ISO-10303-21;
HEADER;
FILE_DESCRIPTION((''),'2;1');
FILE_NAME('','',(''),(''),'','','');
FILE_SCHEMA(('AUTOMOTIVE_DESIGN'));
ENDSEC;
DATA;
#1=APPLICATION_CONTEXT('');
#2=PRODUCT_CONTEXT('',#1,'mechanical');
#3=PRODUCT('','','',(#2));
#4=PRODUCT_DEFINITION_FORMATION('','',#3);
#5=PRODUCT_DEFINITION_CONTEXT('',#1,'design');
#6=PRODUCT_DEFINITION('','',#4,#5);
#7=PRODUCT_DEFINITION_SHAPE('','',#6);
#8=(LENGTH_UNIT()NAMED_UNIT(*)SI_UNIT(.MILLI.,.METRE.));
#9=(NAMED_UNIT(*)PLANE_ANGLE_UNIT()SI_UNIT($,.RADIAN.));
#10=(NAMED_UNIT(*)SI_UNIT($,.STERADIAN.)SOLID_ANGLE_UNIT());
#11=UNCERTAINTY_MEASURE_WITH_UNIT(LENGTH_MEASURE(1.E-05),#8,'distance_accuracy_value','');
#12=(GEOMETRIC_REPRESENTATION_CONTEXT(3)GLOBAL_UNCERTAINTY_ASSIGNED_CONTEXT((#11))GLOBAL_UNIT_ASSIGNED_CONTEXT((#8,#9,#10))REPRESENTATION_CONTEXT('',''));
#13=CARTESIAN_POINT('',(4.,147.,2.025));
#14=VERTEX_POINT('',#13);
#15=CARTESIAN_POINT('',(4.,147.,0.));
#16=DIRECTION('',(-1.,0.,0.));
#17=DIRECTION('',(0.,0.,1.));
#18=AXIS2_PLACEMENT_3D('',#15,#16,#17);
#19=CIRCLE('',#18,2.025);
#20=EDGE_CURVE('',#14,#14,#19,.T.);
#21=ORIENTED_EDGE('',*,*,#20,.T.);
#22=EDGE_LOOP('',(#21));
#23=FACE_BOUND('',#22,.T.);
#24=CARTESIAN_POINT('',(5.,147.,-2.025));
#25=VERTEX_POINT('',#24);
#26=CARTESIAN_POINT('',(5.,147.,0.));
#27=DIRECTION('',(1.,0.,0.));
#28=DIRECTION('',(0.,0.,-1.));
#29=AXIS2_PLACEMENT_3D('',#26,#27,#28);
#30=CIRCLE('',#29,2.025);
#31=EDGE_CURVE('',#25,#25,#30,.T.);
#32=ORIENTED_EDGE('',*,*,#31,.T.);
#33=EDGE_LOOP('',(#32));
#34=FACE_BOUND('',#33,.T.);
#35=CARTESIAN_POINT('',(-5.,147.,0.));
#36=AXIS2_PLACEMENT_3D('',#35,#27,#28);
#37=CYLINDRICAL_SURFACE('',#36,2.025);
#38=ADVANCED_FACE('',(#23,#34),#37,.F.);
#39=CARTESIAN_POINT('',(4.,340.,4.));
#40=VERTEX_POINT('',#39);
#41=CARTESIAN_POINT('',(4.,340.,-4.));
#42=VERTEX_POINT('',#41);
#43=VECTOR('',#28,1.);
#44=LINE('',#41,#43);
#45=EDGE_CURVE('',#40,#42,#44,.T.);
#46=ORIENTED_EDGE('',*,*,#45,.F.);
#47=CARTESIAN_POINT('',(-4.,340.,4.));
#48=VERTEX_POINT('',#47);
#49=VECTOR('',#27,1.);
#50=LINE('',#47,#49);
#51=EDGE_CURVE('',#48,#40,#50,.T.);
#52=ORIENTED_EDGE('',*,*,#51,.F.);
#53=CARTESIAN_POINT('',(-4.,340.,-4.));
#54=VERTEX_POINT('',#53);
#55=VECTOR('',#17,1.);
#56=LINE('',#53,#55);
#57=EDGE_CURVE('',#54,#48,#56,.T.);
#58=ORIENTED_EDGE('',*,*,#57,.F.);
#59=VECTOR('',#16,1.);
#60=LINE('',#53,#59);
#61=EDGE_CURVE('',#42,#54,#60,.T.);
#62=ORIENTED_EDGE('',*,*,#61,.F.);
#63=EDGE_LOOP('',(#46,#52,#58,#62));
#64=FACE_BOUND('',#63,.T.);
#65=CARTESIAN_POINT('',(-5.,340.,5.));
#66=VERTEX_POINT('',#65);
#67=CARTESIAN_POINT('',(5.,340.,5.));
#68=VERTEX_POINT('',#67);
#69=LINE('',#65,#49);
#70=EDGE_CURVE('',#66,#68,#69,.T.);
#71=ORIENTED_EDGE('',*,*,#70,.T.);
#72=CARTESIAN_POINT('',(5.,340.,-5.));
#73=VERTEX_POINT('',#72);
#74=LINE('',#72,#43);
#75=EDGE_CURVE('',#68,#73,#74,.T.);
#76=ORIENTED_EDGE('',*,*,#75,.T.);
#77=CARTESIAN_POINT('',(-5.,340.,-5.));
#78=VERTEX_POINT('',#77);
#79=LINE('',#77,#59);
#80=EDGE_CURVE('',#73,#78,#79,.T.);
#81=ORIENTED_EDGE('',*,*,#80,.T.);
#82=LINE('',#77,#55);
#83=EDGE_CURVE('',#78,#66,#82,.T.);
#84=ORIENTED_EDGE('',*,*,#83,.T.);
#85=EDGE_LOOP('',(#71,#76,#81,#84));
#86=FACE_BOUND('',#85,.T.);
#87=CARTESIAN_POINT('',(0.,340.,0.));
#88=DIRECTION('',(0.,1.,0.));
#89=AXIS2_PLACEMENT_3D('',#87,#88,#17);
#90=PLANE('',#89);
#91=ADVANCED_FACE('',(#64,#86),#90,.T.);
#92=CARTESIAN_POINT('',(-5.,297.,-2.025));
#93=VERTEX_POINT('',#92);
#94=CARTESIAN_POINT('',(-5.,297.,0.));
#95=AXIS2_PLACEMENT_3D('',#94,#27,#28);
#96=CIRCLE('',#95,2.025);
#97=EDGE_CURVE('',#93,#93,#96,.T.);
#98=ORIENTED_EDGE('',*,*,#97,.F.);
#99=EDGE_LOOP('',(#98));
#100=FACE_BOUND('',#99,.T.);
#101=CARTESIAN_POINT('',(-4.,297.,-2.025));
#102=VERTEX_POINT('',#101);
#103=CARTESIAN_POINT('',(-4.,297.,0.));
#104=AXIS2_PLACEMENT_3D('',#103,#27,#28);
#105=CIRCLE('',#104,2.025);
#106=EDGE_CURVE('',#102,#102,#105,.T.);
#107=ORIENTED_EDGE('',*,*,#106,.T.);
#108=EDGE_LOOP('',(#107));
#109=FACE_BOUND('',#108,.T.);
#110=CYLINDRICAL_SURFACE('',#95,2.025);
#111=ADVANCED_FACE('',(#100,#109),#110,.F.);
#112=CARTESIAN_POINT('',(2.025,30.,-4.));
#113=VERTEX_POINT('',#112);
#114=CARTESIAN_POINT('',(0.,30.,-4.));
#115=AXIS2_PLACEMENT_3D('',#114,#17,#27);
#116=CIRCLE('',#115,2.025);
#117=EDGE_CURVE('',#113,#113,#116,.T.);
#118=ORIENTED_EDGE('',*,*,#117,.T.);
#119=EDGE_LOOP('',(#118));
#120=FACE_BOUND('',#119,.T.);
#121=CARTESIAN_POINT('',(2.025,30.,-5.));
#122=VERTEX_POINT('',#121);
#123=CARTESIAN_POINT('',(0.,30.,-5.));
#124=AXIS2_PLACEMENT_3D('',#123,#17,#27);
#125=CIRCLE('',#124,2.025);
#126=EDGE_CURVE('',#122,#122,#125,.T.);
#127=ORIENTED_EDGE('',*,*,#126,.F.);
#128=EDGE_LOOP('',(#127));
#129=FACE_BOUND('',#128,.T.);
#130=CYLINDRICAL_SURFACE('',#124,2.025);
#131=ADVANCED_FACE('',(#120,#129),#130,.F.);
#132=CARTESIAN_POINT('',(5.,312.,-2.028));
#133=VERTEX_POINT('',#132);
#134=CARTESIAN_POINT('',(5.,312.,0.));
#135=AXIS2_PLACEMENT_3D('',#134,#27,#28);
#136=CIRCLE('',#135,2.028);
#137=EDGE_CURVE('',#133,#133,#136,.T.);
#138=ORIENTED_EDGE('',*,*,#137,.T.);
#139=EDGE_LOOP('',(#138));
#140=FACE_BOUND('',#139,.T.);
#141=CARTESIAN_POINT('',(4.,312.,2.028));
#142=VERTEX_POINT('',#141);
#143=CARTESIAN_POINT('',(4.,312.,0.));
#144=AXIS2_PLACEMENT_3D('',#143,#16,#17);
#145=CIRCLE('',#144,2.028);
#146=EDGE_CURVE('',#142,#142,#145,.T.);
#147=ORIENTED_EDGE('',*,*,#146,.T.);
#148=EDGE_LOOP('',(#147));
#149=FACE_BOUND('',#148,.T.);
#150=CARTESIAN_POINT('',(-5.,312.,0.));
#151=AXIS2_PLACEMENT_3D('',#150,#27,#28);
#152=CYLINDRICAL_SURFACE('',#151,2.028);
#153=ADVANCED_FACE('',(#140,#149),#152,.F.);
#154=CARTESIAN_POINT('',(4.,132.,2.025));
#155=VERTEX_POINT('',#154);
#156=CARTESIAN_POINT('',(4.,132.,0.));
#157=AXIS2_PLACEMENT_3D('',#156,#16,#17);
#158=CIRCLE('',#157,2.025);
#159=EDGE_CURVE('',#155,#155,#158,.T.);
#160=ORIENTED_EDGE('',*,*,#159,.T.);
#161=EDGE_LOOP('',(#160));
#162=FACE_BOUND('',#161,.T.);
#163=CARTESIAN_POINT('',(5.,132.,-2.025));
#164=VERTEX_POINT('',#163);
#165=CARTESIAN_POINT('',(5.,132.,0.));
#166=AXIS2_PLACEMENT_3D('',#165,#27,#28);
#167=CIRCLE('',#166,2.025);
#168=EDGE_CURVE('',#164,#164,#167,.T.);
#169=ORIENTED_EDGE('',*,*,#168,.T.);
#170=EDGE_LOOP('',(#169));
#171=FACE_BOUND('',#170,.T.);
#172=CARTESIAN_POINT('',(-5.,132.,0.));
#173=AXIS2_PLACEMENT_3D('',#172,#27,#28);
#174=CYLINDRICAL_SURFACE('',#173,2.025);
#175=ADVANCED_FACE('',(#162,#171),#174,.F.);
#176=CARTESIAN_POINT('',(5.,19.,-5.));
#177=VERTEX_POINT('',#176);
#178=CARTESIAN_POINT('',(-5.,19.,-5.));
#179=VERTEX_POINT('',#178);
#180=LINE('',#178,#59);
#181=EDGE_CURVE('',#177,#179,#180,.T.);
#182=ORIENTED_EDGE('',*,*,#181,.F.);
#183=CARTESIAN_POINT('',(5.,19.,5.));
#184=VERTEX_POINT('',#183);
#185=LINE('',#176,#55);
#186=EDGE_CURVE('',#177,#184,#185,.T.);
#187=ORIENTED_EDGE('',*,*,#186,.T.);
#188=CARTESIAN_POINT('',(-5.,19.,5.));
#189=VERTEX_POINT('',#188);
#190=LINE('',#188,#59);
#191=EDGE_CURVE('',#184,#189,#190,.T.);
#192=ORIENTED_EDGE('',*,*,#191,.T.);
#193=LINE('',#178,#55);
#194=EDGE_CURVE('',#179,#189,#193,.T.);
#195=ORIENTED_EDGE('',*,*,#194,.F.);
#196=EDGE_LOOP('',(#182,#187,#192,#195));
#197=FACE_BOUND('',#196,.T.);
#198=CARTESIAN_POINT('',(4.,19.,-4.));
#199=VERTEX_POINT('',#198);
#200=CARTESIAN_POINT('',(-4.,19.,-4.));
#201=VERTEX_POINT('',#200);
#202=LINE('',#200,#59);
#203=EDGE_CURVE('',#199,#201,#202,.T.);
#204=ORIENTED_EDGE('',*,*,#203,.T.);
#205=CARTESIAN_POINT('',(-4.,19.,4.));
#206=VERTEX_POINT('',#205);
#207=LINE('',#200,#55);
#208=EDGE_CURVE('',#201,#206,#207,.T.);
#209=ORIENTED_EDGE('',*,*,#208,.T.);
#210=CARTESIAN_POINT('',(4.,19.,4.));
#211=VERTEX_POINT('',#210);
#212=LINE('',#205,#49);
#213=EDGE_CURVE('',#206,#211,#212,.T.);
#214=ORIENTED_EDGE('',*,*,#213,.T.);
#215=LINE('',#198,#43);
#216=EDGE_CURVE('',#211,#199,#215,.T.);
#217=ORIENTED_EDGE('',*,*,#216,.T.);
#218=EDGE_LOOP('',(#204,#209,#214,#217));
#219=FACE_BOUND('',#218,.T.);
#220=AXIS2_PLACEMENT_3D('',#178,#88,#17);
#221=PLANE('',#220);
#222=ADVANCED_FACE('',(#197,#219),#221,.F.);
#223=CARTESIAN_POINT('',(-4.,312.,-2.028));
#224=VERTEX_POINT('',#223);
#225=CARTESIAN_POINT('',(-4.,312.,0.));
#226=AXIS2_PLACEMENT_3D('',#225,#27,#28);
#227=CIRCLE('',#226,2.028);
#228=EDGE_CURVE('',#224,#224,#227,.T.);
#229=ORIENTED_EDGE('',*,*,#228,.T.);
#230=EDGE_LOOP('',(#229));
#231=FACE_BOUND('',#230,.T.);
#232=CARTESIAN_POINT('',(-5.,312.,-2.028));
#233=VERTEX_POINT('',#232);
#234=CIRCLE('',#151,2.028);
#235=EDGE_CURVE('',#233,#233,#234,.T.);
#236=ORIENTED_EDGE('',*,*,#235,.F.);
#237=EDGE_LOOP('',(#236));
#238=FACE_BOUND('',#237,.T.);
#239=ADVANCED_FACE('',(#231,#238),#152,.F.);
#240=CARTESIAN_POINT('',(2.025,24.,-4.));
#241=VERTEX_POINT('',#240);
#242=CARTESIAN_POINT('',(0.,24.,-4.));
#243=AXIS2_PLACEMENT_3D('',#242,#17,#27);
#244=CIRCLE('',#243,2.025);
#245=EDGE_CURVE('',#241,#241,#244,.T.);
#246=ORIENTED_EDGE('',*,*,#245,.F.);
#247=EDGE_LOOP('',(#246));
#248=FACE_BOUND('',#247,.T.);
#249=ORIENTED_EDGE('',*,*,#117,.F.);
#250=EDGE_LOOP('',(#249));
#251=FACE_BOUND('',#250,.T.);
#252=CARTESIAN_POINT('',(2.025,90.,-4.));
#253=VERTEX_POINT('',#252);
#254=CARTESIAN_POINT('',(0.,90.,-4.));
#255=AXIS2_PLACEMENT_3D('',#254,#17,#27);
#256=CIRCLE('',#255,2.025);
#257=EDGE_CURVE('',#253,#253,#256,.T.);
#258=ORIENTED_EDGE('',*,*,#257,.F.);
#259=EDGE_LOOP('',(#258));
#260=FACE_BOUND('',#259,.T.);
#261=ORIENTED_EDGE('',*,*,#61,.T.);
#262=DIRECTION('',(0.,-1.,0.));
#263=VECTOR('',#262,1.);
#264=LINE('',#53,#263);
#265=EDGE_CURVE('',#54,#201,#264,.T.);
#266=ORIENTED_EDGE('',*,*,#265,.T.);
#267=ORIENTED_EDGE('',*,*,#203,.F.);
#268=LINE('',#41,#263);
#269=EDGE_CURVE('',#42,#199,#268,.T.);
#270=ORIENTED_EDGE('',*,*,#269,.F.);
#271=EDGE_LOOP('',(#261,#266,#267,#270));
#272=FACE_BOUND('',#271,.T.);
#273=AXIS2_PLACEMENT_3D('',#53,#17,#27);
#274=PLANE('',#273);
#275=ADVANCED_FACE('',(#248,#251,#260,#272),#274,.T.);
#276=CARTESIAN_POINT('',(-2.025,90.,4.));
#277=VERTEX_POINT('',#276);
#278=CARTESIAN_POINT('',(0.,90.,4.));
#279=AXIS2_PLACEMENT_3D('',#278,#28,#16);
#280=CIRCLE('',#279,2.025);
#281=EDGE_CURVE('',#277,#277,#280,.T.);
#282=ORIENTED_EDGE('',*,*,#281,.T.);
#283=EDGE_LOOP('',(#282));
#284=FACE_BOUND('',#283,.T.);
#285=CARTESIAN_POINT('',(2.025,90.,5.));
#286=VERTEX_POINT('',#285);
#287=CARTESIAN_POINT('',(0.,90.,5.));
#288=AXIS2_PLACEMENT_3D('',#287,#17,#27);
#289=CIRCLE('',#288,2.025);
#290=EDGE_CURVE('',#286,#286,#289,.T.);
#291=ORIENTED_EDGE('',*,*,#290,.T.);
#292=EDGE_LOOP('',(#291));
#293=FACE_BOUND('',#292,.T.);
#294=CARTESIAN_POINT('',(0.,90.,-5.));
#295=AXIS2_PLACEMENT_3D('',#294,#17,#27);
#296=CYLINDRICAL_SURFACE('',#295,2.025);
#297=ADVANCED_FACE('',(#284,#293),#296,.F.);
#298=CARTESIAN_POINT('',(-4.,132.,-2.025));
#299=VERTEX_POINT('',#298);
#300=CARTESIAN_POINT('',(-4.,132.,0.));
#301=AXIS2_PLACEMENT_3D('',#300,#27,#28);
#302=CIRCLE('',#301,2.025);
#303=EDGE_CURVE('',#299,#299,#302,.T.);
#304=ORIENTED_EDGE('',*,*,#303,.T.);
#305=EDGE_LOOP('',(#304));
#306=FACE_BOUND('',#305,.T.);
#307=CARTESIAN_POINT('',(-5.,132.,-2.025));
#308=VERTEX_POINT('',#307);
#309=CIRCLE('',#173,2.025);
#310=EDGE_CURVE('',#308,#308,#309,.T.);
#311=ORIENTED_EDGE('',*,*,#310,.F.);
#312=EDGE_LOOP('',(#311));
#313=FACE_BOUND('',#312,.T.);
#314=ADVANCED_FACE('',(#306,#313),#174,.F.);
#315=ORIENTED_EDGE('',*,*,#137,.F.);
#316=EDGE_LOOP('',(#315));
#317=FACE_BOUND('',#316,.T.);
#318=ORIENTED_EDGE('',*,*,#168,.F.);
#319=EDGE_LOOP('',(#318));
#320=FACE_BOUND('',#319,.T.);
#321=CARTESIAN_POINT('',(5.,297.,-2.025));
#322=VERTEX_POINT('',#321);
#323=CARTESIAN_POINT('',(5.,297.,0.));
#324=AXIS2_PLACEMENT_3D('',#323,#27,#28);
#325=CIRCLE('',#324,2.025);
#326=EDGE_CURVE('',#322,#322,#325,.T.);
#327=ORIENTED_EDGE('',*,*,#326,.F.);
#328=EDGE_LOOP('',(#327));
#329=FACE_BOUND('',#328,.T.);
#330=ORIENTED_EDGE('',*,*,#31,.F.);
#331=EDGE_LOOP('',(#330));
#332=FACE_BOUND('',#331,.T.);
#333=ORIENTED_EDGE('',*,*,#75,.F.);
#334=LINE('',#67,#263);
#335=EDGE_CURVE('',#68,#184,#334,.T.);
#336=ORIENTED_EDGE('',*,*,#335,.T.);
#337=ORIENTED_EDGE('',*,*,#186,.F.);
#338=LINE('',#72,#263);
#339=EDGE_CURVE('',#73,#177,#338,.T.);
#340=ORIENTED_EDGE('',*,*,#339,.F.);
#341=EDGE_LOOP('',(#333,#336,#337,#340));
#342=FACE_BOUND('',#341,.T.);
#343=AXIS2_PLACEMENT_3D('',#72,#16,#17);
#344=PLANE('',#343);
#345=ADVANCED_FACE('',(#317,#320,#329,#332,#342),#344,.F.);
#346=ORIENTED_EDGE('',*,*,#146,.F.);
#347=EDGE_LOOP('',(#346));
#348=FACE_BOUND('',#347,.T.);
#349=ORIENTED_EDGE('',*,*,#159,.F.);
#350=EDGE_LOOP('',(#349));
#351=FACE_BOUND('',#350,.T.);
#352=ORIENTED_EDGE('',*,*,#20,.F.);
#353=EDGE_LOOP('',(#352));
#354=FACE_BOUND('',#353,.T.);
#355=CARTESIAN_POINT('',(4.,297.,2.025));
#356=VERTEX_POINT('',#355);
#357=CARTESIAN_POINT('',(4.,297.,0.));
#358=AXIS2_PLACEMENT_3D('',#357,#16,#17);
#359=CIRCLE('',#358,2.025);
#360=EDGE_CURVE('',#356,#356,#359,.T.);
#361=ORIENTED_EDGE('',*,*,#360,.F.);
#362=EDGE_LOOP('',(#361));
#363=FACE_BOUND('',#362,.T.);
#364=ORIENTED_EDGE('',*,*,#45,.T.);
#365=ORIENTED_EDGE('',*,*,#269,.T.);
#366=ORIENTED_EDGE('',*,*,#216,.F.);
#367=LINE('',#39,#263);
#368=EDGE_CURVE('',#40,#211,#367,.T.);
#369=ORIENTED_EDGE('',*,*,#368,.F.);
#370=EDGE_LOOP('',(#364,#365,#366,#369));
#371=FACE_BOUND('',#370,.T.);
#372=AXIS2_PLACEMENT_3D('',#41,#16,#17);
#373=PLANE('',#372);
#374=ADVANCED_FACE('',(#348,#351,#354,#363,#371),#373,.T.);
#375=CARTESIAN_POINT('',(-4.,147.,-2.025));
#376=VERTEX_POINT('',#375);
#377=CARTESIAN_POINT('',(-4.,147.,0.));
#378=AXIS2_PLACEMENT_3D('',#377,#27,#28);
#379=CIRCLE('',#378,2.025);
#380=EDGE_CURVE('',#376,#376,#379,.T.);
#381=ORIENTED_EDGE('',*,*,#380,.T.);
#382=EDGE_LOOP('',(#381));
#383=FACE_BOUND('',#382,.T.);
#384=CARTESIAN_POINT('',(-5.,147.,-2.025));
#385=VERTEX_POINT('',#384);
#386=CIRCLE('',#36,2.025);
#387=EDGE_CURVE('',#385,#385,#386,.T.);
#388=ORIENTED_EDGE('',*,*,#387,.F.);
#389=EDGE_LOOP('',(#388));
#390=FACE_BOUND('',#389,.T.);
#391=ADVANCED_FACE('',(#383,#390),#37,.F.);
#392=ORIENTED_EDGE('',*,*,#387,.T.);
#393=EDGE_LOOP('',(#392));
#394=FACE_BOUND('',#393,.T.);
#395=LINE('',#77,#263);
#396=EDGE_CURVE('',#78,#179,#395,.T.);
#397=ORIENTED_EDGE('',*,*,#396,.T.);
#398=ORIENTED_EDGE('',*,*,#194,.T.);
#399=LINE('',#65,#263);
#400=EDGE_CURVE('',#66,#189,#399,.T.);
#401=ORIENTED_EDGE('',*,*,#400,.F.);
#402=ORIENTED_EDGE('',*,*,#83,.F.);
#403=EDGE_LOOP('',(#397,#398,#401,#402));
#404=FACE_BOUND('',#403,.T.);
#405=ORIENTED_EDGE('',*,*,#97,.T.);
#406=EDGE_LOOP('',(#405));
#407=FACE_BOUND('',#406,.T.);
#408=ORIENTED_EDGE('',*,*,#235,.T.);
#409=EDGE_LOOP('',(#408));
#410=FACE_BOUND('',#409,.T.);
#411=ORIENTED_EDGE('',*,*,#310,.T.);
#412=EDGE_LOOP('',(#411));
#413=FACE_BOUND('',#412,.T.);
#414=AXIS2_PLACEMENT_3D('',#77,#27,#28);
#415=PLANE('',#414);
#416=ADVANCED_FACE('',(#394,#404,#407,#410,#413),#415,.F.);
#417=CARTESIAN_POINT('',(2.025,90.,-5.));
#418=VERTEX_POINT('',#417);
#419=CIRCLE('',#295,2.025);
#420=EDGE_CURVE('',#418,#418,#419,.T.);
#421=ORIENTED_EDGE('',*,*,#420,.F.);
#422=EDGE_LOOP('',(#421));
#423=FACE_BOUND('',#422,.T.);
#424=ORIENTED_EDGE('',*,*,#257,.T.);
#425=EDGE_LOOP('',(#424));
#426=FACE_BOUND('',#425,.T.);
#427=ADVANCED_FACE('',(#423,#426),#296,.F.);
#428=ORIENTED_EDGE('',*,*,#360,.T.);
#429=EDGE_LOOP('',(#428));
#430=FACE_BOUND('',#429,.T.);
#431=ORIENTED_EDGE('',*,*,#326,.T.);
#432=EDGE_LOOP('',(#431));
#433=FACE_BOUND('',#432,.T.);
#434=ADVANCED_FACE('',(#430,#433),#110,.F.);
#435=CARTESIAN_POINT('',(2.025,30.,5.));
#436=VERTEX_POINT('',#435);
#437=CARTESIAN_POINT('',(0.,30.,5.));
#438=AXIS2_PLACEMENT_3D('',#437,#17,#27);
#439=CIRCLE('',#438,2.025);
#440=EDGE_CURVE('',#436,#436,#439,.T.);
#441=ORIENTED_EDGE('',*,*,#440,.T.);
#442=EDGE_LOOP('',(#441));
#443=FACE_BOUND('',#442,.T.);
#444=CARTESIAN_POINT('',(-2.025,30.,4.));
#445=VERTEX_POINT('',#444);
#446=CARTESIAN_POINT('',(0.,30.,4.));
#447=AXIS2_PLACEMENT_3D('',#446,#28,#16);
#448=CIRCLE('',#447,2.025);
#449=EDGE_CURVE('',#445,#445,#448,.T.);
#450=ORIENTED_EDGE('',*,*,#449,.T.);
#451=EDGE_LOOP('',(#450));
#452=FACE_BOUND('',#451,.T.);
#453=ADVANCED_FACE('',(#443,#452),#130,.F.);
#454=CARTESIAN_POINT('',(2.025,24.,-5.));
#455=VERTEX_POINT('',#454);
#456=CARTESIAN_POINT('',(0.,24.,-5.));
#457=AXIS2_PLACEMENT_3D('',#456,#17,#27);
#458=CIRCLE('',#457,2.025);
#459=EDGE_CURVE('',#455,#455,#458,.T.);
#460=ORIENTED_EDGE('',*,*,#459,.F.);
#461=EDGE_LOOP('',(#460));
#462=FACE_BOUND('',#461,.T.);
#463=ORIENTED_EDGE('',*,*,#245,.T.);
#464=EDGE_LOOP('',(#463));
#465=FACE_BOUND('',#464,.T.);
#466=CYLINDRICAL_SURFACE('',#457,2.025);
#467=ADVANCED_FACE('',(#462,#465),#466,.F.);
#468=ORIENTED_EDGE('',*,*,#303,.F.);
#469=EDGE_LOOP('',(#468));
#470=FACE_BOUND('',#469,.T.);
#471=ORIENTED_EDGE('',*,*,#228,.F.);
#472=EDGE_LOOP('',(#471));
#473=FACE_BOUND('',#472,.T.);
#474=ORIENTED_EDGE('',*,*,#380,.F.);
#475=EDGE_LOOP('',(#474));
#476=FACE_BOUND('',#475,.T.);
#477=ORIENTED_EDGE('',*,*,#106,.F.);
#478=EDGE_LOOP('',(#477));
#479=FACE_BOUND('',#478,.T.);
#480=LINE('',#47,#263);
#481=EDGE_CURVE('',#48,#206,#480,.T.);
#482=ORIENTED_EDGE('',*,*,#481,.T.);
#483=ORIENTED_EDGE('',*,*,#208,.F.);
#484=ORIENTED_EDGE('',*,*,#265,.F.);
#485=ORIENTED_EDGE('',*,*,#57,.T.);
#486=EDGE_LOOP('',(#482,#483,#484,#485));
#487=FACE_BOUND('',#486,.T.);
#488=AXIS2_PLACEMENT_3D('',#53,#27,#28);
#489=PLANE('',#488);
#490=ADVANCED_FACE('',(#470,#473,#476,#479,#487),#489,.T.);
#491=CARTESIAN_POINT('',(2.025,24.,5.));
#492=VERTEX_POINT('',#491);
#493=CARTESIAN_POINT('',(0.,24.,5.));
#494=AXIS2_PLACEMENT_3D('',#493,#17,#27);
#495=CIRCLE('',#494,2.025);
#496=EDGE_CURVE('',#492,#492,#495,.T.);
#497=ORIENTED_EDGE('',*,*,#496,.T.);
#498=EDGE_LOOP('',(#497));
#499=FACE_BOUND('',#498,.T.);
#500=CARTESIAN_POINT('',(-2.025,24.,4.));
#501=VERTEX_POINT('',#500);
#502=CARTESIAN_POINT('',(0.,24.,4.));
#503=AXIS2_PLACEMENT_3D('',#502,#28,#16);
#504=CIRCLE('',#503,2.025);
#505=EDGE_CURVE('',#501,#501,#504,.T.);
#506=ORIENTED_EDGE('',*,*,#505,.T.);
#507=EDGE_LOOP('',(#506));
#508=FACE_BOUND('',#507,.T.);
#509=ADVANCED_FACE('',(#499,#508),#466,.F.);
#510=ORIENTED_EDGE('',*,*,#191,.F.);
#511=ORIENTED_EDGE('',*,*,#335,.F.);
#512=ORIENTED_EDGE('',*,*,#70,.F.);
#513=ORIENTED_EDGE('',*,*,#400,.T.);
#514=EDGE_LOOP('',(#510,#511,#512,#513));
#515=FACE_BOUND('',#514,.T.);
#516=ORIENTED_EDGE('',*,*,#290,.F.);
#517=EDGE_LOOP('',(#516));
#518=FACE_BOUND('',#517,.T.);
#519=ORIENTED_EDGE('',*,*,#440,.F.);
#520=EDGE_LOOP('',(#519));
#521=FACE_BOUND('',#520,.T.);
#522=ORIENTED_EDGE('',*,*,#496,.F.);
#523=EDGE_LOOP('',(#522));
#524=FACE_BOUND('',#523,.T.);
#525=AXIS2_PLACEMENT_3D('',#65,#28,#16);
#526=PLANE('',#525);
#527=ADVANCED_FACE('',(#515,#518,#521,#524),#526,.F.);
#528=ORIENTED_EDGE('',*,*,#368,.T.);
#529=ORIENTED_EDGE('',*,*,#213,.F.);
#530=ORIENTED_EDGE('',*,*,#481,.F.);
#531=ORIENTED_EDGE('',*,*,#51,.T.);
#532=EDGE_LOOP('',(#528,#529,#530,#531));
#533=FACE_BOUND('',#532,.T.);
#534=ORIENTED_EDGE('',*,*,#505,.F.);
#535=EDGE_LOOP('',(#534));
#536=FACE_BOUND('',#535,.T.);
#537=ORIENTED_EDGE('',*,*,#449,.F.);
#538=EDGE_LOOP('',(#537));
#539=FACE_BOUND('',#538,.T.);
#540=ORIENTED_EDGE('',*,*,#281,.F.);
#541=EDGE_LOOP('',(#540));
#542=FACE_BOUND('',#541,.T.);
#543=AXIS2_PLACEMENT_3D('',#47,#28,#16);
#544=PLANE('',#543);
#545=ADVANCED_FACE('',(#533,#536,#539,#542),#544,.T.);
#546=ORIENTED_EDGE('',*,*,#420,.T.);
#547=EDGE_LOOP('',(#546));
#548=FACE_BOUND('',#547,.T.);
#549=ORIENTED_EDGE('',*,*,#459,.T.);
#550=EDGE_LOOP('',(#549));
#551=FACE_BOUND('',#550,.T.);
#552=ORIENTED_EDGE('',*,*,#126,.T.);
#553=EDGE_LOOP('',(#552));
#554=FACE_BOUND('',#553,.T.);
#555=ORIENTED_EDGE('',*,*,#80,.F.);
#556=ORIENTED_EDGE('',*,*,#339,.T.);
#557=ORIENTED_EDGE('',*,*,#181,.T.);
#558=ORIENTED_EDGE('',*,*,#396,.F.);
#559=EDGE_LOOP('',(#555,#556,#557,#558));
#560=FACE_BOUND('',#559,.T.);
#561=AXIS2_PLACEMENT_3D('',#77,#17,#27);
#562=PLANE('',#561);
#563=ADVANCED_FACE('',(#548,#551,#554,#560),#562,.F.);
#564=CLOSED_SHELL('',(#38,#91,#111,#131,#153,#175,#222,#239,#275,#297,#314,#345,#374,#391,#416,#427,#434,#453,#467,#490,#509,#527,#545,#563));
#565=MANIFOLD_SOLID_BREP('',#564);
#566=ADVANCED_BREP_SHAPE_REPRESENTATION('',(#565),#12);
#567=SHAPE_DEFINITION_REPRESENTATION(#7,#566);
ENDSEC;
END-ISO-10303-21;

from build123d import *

# Parameters (mm, degrees)
SKETCH1_W           = 10
SKETCH1_H           = 10
SKETCH1_W_2         = 8
SKETCH1_H_2         = 8
BOSS_EXTRUDE1_DEPTH = 340
SKETCH2_R           = 2.025
CUT_EXTRUDE1_DEPTH  = 341.183773863
SKETCH3_R           = 2.028
SKETCH3_R_2         = 2.025
CUT_EXTRUDE2_DEPTH  = 341.183773863
SKETCH4_W           = 10
SKETCH4_H           = 19
CUT_EXTRUDE3_DEPTH  = 341.183773863


with BuildPart() as part:
    # Sketch1 → Boss-Extrude1 (new body)
    with BuildSketch(Plane(origin=(0, 0, 0), x_dir=(1, 0, 0), z_dir=(0, 1, 0))):
        Rectangle(SKETCH1_W, SKETCH1_H)
        Rectangle(SKETCH1_W_2, SKETCH1_H_2, mode=Mode.SUBTRACT)
    extrude(amount=BOSS_EXTRUDE1_DEPTH)

    # Sketch2 → Cut-Extrude1 (cut, through all)
    with BuildSketch(Plane.XY.offset(5)):
        with Locations((0, 90)):
            Circle(SKETCH2_R)
        with Locations((0, 30)):
            Circle(SKETCH2_R)
        with Locations((0, 24)):
            Circle(SKETCH2_R)
    extrude(amount=-CUT_EXTRUDE1_DEPTH, mode=Mode.SUBTRACT)

    # Sketch3 → Cut-Extrude2 (cut, through all)
    with BuildSketch(Plane(origin=(5, 0, 0), x_dir=(0, 0, -1), z_dir=(1, 0, 0))):
        with Locations((0, 312)):
            Circle(SKETCH3_R)
        with Locations((0, 297)):
            Circle(SKETCH3_R_2)
        with Locations((0, 147)):
            Circle(SKETCH3_R_2)
        with Locations((0, 132)):
            Circle(SKETCH3_R_2)
    extrude(amount=-CUT_EXTRUDE2_DEPTH, mode=Mode.SUBTRACT)

    # Sketch4 → Cut-Extrude3 (cut, through all)
    with BuildSketch(Plane.XY.offset(5)):
        with Locations((0, 9.5)):
            Rectangle(SKETCH4_W, SKETCH4_H)
    extrude(amount=-CUT_EXTRUDE3_DEPTH, mode=Mode.SUBTRACT)


solid = part.part
